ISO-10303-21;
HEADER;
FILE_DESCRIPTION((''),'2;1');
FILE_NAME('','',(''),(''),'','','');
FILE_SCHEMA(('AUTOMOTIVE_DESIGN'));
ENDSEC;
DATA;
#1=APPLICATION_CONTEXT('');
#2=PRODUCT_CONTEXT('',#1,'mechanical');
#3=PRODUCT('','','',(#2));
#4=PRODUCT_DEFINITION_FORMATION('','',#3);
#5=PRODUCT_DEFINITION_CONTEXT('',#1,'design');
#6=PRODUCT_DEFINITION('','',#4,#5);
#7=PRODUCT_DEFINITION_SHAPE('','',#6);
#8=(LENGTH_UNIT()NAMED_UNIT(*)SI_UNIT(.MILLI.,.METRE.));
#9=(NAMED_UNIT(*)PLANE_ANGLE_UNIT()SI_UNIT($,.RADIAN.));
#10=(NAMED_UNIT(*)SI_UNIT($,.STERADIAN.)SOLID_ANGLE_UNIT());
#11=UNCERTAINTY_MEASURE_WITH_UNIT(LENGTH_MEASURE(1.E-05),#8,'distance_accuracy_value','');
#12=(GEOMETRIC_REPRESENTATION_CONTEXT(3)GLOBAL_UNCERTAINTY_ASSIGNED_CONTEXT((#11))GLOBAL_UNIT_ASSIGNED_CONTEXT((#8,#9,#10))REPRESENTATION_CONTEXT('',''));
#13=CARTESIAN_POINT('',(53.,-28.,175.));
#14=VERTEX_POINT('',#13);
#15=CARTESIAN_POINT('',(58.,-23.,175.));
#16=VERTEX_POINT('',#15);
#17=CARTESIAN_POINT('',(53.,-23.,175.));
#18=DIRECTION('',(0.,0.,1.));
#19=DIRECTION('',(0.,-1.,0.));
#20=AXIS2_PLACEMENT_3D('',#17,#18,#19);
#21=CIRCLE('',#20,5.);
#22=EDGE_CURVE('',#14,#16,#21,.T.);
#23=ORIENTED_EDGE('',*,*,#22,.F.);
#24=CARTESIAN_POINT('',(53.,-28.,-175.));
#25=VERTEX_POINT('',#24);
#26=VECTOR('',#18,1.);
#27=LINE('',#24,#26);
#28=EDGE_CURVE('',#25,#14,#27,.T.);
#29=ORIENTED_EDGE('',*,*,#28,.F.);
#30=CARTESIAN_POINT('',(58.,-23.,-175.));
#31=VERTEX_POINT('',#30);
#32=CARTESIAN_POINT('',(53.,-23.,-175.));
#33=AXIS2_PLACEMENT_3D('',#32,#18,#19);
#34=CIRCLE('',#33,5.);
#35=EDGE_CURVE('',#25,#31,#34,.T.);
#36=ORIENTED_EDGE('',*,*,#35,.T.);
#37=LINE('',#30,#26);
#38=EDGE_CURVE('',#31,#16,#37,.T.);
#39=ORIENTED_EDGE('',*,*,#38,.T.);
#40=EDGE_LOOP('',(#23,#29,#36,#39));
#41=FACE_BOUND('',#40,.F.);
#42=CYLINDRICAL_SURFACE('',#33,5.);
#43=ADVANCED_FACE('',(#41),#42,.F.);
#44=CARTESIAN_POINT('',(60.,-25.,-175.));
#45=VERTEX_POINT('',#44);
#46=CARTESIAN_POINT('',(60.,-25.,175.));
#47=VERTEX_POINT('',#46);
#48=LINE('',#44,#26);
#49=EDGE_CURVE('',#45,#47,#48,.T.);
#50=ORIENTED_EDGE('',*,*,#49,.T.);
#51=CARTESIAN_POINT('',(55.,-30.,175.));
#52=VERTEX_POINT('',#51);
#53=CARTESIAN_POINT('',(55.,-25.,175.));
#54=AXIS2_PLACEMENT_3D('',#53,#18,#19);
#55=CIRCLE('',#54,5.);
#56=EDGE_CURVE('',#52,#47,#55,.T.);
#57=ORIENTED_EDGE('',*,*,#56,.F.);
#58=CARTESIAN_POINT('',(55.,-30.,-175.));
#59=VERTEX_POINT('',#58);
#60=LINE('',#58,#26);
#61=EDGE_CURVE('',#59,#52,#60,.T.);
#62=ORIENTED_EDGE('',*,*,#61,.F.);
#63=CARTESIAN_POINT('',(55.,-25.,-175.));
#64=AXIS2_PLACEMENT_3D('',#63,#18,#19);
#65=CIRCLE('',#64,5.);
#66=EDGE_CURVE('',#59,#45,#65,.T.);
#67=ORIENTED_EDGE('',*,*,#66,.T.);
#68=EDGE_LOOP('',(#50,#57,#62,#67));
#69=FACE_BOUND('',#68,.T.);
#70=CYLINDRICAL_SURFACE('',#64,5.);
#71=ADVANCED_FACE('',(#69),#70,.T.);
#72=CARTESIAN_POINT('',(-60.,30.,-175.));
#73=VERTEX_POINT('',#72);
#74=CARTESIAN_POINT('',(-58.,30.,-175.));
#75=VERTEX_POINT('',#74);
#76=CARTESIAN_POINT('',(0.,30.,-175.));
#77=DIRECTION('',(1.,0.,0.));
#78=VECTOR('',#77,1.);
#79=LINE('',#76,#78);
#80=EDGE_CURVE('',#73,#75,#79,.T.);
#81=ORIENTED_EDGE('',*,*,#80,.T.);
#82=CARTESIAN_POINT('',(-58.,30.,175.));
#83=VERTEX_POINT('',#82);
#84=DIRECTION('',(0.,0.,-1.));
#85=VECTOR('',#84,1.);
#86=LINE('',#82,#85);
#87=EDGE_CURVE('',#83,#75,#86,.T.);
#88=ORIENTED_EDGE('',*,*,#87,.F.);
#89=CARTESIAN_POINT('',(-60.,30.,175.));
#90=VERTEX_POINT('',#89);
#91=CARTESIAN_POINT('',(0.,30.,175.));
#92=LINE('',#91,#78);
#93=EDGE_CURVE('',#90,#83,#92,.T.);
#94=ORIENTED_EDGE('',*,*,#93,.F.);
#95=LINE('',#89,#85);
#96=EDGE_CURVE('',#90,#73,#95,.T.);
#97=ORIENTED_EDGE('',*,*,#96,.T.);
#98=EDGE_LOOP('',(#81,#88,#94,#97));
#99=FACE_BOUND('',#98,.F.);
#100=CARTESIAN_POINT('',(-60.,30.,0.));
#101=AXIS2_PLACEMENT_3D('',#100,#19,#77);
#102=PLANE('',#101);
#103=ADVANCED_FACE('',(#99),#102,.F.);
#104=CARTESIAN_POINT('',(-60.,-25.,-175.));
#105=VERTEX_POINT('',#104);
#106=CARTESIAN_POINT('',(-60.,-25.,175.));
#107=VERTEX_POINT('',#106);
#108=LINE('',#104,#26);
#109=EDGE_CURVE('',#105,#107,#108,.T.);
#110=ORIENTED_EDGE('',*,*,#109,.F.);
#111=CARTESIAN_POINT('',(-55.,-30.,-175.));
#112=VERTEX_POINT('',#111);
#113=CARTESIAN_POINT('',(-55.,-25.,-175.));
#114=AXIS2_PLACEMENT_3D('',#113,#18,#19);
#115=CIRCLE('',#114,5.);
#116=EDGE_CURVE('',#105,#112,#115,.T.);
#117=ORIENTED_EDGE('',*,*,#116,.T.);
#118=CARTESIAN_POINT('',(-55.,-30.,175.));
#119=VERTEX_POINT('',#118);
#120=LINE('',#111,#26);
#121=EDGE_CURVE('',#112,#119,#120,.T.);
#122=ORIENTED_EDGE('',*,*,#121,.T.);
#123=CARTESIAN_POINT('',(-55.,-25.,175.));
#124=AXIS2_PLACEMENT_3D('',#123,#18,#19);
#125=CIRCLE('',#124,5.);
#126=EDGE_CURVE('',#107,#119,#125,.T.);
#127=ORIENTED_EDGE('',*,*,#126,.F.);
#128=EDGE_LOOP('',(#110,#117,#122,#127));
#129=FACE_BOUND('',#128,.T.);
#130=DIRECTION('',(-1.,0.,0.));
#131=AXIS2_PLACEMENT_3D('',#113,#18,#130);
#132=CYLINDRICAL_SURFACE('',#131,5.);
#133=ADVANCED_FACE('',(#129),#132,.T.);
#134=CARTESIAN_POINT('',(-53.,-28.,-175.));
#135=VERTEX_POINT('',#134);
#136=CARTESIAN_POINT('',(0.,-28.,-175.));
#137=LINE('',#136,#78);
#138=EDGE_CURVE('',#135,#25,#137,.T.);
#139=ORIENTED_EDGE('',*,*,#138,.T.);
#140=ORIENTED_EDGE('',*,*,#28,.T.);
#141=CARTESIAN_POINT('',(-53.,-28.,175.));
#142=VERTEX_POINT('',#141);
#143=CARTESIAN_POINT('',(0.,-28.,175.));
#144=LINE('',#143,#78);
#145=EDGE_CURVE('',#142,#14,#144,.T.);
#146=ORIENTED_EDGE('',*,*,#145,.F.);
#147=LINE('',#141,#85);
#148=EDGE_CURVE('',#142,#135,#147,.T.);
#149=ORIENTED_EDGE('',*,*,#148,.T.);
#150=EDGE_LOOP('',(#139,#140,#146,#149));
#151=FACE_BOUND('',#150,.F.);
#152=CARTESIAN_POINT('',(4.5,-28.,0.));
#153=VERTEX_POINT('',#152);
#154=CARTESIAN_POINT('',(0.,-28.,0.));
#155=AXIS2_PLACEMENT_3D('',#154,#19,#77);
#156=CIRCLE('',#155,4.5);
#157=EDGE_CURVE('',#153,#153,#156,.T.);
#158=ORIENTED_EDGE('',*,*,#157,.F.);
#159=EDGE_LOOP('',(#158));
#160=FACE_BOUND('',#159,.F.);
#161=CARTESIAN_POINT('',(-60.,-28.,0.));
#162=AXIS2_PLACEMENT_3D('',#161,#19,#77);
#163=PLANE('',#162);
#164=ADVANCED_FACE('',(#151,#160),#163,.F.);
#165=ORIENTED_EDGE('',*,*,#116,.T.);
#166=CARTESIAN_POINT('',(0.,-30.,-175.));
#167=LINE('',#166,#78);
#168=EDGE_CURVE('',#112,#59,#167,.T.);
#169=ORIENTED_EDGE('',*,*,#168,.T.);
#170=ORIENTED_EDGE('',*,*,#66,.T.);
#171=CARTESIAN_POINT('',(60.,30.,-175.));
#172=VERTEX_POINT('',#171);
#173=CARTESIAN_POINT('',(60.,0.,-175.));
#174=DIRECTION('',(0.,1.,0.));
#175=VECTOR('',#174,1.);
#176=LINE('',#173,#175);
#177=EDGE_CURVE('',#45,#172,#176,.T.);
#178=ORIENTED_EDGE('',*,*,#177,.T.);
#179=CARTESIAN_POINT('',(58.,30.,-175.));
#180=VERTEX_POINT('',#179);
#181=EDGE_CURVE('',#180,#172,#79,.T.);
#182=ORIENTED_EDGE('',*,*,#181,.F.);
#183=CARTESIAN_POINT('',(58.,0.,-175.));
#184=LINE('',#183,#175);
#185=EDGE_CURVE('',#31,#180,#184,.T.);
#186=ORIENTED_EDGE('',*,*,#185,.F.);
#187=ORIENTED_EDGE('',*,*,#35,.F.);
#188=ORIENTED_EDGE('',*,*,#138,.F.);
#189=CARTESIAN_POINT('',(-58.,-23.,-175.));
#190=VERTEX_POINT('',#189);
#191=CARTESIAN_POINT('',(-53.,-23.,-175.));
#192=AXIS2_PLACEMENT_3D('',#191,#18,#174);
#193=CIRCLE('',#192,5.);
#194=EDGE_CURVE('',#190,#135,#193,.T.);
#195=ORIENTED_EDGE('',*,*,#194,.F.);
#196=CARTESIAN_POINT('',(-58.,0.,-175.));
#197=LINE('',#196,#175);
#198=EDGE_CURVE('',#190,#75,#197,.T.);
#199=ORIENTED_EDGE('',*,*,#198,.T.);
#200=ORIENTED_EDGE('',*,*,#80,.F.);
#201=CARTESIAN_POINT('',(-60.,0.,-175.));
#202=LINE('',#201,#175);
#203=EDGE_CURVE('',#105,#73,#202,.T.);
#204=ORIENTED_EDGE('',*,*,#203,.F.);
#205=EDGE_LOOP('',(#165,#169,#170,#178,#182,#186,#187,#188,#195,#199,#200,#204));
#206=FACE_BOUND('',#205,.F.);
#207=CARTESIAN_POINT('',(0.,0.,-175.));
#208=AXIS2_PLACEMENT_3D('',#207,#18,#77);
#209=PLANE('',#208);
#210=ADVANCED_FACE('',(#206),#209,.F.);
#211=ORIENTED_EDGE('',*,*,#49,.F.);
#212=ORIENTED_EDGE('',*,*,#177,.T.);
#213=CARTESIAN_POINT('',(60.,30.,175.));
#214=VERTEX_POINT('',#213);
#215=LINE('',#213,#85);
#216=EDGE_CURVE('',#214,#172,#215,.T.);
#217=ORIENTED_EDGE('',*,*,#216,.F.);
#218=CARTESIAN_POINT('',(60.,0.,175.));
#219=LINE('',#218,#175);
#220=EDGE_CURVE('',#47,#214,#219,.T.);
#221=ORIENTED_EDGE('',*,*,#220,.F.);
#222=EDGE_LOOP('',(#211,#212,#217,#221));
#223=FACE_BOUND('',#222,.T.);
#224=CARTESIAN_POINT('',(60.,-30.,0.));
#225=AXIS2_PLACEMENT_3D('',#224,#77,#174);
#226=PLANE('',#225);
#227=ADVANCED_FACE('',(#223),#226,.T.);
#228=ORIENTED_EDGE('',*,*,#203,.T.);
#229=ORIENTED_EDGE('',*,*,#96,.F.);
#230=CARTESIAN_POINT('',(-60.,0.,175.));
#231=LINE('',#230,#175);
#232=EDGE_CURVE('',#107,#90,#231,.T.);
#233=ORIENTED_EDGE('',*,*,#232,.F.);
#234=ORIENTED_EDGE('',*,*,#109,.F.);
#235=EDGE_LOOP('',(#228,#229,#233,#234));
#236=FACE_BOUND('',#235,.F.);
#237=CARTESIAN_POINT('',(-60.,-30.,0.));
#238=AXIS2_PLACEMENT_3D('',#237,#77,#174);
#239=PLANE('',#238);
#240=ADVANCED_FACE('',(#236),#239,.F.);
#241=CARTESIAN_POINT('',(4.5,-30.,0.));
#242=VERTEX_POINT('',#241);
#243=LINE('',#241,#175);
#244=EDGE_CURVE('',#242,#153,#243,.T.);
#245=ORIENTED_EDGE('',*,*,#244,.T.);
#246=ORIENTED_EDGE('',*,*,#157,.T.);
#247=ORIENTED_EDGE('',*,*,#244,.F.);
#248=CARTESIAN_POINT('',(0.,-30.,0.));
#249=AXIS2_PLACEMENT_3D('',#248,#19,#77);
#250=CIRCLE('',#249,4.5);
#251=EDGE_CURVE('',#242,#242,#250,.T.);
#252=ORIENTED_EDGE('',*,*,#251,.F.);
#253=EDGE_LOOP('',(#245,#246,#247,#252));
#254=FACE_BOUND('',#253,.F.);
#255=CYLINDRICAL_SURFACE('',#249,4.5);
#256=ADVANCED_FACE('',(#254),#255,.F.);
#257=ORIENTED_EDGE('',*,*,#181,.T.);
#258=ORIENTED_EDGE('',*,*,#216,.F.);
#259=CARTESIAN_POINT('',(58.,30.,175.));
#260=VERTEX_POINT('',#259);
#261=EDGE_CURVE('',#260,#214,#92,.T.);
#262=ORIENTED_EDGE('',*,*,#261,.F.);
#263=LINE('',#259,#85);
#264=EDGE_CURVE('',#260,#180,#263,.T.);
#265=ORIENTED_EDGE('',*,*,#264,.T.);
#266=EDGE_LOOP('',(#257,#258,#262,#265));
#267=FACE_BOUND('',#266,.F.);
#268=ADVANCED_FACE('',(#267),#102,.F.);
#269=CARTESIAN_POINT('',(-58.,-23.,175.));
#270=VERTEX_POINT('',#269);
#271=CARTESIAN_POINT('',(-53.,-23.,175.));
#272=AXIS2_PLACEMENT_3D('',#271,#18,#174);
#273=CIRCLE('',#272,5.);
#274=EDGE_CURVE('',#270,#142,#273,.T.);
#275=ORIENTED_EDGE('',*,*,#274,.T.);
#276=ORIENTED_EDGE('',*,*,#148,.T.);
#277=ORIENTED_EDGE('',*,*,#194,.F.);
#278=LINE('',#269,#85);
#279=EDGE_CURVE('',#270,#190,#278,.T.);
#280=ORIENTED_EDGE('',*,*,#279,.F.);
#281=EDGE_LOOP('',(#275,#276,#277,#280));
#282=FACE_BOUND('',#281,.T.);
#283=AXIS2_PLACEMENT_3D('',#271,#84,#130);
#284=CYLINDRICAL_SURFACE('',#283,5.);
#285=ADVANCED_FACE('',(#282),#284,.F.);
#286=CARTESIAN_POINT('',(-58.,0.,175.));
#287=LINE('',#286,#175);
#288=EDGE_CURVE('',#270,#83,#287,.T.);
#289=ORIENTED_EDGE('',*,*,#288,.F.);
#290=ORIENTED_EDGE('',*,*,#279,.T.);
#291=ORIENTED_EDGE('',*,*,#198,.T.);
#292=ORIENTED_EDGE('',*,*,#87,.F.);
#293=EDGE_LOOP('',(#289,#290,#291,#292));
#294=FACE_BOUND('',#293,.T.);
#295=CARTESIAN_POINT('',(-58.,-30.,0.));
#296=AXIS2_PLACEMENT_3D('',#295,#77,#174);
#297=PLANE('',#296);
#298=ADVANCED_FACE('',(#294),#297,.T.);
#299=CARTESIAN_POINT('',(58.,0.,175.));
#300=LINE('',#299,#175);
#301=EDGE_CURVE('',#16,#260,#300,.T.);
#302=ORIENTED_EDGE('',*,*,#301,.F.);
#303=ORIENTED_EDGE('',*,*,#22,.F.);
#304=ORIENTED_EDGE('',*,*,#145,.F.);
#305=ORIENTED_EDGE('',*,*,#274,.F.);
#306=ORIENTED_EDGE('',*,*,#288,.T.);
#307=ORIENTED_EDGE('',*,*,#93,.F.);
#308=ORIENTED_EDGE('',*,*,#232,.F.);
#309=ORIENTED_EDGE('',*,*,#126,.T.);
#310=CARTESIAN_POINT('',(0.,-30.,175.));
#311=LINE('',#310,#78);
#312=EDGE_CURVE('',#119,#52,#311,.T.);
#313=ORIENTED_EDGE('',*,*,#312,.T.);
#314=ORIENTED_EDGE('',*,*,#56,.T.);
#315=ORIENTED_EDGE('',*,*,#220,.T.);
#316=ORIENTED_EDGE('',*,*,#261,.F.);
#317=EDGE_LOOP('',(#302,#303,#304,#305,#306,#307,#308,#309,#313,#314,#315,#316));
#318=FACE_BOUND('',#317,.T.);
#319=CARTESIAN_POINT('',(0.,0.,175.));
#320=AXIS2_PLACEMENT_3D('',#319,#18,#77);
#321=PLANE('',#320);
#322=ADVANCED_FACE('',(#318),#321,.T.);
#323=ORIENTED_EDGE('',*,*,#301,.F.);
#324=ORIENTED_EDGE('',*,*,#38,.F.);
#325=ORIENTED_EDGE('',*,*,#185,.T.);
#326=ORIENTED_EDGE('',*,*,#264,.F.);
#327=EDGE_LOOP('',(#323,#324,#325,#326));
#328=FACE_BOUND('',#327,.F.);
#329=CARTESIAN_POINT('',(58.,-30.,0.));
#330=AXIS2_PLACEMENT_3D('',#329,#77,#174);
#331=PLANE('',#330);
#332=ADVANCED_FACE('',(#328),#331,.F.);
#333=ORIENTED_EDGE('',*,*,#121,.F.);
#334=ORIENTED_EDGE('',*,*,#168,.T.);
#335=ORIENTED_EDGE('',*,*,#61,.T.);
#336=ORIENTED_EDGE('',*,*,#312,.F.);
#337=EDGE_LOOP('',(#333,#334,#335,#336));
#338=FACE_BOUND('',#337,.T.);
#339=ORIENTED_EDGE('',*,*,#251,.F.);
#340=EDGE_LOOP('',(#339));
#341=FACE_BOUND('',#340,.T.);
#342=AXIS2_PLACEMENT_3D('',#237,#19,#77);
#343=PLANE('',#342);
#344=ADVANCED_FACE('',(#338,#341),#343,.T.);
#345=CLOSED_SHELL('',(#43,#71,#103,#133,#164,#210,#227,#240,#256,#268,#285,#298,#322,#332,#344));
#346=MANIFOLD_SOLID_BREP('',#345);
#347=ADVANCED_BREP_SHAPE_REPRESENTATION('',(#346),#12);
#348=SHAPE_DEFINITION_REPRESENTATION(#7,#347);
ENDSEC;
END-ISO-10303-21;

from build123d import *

# Parameters (mm, degrees)
F0_W     = 120
F0_H     = 60
F1_DEPTH = 175
F2_T     = -2
F3_R     = 5
F4_R     = 4.5
F5_DEPTH = 60.001


with BuildPart() as f1:
    # F0 (on Top) → F1 (new body, symmetric)
    with BuildSketch(Plane.XY):
        Rectangle(F0_W, F0_H)
    extrude(amount=F1_DEPTH, both=True)

    # F2
    f2_openings = [f1.faces().sort_by_distance(p)[0] for p in [
        (0, 30, 0),
        (0, 0, 175),
        (0, 0, -175),
    ]]
    offset(amount=F2_T, openings=f2_openings)

    # F3
    f3_edges = [f1.edges().sort_by_distance(p)[0] for p in [
        (60, -30, 0),
        (-58, -28, 0),
        (58, -28, 0),
        (-60, -30, 0),
    ]]
    fillet(f3_edges, radius=F3_R)

    # F4 (on face) → F5 (cut, through all)
    with BuildSketch(Plane.XZ.offset(30)):
        Circle(F4_R)
    extrude(amount=-F5_DEPTH, mode=Mode.SUBTRACT)


solid = f1.part
